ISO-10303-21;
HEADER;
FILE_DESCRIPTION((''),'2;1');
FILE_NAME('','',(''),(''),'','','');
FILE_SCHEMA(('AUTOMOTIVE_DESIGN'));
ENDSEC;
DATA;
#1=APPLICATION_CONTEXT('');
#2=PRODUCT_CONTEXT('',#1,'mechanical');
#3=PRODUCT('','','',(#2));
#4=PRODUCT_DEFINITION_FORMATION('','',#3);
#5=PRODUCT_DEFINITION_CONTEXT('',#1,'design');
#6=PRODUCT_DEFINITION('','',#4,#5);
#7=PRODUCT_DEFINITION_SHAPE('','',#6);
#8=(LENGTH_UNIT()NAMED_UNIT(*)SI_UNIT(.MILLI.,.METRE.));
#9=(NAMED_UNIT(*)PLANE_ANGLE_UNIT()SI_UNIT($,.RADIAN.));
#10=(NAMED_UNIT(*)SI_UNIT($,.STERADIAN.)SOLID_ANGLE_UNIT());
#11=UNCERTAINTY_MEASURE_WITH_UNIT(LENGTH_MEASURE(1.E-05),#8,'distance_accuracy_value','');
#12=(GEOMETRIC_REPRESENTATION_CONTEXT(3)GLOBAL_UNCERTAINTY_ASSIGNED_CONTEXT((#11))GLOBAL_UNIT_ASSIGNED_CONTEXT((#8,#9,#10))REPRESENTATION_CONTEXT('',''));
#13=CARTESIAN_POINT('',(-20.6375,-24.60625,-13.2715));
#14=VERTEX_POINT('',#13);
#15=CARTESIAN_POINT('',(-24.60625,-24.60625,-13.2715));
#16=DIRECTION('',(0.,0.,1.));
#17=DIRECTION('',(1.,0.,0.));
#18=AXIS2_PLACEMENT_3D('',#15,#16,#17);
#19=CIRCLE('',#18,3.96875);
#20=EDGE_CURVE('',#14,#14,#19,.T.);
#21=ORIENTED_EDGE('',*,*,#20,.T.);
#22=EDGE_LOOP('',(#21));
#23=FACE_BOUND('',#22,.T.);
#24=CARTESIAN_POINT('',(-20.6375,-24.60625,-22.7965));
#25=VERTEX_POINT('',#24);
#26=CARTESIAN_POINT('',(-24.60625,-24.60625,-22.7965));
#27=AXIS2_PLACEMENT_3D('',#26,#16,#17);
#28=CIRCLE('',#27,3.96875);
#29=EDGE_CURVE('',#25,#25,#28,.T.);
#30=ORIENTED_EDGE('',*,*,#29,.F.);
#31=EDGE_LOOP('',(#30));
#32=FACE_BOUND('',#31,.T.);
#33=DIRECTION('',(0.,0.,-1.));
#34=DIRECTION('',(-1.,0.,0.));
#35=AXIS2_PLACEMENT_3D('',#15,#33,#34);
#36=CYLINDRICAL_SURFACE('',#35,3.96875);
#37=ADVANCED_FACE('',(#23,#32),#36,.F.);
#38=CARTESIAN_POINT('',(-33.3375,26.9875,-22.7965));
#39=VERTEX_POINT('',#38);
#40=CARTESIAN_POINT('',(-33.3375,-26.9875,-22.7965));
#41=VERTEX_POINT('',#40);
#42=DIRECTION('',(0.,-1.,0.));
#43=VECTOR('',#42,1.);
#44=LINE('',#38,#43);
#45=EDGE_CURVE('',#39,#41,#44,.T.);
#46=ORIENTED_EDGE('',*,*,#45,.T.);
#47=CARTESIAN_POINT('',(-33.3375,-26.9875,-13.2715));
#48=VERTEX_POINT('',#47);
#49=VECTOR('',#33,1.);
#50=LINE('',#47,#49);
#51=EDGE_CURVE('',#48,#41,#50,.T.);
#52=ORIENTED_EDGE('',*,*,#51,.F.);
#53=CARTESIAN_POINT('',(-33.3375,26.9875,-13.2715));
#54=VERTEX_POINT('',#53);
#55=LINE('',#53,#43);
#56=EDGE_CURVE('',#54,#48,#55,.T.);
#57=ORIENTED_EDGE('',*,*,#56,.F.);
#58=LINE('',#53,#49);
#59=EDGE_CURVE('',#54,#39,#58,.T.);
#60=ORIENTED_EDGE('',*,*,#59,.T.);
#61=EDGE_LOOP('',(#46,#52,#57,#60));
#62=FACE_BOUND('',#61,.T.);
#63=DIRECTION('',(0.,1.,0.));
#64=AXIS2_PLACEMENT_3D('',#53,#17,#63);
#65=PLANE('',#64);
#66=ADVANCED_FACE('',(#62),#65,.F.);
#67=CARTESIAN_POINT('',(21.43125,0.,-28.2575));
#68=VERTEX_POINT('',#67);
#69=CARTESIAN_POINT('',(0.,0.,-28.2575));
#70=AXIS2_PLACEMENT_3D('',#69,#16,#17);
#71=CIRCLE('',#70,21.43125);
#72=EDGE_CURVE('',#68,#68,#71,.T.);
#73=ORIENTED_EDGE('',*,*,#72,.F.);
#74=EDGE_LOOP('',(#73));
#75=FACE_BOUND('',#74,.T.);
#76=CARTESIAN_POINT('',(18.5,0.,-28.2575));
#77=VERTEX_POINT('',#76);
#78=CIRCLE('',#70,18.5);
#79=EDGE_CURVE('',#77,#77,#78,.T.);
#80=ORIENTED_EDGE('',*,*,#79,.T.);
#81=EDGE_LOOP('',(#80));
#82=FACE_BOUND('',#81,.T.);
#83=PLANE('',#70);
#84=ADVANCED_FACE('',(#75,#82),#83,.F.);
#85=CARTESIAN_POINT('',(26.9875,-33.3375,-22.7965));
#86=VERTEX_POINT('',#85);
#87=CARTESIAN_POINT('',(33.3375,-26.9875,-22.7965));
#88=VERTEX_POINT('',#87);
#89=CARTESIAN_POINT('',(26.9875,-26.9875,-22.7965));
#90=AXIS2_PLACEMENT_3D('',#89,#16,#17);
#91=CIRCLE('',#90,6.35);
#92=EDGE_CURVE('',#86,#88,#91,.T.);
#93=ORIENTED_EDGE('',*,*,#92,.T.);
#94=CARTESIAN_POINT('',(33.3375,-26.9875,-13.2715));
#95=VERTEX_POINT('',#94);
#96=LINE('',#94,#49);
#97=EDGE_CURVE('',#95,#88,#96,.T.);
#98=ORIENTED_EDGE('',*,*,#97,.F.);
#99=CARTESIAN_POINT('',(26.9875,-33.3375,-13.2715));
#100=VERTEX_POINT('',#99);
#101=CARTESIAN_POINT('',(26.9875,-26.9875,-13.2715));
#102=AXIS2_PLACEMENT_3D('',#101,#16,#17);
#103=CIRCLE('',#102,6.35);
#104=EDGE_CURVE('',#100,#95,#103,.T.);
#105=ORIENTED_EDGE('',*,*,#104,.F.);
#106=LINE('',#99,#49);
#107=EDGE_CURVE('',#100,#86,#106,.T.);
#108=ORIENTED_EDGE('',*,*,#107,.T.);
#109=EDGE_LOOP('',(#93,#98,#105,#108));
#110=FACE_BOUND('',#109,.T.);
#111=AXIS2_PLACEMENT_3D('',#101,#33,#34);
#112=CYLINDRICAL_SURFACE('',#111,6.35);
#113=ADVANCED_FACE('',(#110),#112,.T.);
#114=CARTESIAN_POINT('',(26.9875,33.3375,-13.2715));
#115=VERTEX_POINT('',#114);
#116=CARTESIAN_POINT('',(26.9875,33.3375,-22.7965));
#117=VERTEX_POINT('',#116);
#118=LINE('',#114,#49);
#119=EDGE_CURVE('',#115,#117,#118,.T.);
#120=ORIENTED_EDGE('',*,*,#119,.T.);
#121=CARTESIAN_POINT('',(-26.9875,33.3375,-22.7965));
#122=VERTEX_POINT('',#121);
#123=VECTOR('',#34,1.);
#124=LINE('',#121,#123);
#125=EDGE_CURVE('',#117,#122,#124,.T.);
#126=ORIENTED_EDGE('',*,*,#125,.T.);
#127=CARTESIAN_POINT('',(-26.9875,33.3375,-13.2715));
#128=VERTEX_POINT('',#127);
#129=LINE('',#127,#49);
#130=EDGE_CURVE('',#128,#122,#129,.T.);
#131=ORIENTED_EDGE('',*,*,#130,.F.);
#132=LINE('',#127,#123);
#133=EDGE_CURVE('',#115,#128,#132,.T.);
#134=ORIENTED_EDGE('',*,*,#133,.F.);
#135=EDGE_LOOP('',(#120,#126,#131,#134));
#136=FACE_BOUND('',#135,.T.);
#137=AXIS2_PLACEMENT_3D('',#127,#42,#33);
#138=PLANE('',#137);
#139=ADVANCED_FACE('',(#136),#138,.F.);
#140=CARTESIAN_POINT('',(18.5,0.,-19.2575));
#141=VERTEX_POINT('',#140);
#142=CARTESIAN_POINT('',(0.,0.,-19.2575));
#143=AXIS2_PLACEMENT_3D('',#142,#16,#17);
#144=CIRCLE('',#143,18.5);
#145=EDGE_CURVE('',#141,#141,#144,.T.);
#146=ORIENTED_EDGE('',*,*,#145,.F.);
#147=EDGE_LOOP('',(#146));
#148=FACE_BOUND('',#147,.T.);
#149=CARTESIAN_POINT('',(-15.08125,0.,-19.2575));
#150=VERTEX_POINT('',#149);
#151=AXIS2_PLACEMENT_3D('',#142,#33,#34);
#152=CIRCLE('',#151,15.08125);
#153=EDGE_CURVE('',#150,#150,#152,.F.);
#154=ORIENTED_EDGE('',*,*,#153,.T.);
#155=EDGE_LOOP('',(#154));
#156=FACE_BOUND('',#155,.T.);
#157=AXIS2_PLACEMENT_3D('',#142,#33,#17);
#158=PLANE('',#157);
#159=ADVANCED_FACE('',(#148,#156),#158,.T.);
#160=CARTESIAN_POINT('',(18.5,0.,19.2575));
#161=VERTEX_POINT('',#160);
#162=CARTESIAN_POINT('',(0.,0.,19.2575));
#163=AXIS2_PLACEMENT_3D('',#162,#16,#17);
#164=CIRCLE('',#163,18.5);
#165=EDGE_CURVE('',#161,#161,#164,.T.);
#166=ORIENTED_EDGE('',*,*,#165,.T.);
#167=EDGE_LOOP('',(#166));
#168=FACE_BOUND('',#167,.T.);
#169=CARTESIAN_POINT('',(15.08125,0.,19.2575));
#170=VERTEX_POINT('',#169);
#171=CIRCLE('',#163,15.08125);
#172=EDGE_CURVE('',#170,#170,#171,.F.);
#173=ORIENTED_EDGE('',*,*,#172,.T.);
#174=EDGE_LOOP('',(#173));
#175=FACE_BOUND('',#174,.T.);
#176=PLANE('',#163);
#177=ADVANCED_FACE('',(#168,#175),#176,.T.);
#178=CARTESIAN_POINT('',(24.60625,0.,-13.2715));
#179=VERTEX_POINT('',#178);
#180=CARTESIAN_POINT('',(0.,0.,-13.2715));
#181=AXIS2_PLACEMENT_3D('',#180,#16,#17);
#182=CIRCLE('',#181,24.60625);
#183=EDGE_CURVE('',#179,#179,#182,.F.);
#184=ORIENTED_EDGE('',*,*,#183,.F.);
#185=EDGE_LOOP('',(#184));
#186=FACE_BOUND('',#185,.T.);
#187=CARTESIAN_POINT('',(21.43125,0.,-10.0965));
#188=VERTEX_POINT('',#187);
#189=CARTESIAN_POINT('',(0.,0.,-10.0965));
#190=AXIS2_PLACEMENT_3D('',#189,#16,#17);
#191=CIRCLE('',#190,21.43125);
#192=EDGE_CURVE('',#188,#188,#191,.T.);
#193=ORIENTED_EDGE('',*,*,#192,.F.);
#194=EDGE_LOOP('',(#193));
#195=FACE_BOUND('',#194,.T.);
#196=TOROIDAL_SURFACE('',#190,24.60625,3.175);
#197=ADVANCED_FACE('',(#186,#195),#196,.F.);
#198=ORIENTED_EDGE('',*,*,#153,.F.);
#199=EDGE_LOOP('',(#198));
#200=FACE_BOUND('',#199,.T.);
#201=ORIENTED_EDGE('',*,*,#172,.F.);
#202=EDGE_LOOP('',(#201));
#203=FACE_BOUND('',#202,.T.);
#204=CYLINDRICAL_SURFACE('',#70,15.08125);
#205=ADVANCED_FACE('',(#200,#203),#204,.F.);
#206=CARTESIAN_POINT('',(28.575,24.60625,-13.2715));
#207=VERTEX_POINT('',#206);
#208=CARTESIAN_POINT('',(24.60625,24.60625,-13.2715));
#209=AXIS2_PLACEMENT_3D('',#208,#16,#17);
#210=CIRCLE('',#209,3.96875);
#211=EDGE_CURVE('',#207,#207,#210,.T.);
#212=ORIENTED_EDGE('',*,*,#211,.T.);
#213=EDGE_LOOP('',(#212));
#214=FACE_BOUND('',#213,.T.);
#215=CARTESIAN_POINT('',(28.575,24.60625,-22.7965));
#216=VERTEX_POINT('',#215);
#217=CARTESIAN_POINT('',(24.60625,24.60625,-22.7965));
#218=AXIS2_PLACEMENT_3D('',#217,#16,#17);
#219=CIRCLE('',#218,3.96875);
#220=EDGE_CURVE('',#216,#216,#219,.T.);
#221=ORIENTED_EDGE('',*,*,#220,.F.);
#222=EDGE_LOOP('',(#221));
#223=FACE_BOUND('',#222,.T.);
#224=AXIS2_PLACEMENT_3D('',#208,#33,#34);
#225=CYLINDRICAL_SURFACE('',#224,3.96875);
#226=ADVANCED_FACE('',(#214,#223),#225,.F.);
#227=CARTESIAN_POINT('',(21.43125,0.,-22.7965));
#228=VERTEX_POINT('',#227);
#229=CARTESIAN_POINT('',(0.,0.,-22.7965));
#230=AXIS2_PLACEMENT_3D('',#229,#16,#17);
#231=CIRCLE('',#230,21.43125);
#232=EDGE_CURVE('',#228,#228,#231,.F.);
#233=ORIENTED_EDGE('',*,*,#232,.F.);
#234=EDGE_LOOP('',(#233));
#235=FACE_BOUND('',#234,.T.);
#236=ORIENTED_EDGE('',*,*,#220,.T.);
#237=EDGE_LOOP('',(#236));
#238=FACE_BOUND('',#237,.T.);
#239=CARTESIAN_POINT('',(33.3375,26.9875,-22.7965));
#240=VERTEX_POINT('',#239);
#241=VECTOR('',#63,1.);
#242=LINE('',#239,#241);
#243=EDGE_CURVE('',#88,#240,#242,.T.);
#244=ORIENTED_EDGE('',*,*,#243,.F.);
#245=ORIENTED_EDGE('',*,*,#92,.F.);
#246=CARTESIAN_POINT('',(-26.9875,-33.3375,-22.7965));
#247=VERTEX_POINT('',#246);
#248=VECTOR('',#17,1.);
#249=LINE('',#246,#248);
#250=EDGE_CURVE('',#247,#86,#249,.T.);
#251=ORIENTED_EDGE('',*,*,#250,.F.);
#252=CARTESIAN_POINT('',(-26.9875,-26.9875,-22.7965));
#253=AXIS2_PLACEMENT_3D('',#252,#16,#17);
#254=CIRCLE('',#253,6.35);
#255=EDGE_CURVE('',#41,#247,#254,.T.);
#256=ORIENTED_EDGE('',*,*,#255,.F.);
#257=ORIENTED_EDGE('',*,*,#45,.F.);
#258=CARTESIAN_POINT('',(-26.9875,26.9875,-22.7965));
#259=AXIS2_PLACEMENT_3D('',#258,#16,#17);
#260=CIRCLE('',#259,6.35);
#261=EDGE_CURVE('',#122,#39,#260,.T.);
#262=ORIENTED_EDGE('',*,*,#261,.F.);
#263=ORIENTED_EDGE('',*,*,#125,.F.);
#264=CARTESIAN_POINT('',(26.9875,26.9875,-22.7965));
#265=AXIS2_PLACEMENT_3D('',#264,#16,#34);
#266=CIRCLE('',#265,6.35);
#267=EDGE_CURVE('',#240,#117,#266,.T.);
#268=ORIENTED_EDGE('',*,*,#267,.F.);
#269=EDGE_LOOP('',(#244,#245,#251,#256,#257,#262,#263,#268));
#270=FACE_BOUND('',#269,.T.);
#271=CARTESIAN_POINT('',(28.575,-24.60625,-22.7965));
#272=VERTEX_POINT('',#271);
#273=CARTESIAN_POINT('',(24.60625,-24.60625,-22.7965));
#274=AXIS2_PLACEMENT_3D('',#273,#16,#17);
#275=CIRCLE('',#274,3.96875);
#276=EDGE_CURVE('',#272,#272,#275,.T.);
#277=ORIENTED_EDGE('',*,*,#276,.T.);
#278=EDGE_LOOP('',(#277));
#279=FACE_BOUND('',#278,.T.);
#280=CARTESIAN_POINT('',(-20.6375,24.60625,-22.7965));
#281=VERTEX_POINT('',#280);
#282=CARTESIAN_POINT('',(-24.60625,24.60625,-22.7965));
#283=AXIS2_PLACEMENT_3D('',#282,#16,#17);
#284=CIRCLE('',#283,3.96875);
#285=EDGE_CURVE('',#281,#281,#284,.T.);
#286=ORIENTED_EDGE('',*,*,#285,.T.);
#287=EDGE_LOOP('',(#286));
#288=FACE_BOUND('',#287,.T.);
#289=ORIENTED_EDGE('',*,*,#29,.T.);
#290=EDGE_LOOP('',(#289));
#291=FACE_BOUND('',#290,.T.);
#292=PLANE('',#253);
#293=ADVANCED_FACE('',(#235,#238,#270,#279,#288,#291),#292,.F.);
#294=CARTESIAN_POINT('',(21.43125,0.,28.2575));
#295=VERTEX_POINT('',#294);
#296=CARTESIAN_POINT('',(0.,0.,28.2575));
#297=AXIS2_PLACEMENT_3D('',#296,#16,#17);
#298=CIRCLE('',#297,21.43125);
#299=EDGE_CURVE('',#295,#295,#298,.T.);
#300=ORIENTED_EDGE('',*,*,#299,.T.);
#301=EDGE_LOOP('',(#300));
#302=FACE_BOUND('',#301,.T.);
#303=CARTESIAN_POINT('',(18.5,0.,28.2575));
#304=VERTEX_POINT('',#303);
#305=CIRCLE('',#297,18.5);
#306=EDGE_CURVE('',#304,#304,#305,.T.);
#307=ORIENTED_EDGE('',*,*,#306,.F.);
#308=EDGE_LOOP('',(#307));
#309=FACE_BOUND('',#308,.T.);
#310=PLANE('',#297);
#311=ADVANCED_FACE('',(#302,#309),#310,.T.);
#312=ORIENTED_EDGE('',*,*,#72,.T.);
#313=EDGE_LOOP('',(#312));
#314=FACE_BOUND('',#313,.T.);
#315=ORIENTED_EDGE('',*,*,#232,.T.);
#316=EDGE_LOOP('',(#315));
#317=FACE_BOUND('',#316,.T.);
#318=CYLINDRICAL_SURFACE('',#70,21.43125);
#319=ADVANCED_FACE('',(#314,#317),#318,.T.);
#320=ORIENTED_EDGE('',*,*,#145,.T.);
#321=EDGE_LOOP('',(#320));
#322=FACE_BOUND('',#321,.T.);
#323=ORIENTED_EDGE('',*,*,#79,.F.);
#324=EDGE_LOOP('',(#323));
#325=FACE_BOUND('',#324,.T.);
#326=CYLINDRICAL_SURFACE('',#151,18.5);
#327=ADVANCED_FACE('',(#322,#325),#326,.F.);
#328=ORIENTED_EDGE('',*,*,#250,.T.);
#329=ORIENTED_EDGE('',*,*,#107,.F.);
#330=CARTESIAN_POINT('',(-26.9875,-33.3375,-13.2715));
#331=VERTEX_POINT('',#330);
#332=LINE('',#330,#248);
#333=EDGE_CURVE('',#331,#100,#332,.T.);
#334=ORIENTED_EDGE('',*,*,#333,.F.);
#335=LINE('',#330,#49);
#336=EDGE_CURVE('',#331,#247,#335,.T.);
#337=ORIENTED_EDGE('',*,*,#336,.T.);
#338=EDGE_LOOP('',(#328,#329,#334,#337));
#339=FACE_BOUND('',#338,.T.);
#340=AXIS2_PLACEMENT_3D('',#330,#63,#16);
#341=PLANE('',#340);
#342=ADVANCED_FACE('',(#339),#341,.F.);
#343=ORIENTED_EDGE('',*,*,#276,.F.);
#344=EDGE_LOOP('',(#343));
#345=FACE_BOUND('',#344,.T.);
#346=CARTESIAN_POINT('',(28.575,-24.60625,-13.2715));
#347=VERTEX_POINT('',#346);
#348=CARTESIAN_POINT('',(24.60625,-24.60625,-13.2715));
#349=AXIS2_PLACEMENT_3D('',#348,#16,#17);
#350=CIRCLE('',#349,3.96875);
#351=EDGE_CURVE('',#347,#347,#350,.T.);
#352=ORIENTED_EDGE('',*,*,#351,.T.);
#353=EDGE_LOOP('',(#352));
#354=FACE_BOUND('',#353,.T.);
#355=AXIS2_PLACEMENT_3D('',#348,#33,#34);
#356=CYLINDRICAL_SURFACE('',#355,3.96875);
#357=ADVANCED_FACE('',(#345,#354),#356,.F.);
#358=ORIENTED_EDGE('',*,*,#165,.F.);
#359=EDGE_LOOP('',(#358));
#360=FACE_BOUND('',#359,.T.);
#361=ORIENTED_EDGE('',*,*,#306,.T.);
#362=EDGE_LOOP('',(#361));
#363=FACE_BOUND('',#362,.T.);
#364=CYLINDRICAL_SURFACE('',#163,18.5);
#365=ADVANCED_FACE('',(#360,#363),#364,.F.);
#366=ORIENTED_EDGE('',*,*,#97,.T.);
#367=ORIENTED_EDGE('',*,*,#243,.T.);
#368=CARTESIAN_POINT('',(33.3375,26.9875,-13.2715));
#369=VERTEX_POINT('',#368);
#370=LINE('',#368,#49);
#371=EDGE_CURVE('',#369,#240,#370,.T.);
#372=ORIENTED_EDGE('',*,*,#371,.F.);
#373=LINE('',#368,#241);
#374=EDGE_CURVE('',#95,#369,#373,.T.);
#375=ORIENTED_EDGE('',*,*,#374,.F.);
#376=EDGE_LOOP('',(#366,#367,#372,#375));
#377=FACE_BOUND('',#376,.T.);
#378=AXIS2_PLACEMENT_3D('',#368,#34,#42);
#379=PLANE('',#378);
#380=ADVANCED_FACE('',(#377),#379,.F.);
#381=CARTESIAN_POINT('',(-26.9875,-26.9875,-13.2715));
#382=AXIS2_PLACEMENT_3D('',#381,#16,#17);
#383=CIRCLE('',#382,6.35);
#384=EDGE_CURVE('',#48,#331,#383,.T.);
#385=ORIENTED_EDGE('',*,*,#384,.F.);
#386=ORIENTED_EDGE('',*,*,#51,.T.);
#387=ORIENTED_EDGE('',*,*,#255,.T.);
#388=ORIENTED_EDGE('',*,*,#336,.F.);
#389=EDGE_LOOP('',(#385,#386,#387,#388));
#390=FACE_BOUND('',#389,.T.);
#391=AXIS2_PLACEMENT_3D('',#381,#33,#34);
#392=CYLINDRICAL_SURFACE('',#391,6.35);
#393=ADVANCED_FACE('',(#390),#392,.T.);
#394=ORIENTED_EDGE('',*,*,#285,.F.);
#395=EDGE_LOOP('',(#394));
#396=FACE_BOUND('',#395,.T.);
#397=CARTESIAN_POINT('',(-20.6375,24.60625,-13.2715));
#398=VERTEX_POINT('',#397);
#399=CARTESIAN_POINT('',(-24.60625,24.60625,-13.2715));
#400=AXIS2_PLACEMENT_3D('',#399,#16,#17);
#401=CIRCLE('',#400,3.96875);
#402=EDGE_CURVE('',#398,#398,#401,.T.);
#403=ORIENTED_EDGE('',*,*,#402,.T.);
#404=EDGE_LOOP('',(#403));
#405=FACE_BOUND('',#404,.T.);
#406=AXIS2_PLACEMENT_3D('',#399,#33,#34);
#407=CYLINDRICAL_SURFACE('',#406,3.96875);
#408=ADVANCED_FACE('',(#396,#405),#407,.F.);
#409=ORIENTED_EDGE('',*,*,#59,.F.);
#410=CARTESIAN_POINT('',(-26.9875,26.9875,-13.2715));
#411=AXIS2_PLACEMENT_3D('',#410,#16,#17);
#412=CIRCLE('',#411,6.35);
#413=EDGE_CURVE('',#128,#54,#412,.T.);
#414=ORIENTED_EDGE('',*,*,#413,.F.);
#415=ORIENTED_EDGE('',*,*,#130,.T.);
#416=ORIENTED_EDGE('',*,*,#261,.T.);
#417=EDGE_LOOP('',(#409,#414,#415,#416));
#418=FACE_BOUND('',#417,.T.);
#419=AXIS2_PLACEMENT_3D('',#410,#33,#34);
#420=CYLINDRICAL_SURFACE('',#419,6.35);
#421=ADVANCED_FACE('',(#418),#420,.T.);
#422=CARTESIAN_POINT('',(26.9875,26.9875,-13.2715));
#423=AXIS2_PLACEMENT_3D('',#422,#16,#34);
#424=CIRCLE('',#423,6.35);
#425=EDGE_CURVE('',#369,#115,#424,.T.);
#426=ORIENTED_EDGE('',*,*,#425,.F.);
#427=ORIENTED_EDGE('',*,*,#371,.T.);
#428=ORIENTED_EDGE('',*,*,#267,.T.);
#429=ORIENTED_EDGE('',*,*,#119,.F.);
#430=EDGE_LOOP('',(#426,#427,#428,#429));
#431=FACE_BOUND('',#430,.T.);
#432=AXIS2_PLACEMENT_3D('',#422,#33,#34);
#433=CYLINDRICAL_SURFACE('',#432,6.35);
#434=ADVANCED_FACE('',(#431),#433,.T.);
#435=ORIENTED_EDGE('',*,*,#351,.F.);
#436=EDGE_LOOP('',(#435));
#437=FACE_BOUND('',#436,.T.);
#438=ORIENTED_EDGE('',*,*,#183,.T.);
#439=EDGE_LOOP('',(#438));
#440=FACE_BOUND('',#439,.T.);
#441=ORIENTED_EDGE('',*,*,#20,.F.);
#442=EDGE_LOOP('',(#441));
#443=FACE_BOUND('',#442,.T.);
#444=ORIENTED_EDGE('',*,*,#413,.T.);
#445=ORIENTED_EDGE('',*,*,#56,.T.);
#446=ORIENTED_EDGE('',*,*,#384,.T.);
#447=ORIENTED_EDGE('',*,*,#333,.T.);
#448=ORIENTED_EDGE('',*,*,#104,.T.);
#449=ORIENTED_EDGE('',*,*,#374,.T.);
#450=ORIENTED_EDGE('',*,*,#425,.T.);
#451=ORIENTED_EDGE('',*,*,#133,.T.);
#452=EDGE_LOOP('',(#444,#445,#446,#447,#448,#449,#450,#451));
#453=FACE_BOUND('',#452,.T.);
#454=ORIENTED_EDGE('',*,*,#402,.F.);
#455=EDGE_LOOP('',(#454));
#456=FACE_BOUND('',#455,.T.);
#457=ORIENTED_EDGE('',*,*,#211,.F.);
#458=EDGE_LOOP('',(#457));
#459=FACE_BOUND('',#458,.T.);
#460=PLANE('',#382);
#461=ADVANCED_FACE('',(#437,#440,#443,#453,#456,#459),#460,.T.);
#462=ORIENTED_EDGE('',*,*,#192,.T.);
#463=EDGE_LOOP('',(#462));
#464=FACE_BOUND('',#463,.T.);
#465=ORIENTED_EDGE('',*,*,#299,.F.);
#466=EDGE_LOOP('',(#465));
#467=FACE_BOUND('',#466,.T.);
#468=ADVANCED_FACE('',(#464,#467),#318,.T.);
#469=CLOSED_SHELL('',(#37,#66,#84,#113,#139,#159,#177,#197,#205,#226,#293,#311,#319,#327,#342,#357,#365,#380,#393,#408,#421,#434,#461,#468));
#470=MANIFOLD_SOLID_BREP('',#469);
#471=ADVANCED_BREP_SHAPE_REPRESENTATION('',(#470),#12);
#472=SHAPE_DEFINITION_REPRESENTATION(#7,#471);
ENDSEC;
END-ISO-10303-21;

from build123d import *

# Parameters (mm, degrees)
SKETCH1_R                = 21.43125
SKETCH1_R_2              = 15.08125
BOSS_EXTRUDE1_DEPTH      = 28.2575
BOSS_EXTRUDE1_DEPTH_BACK = 28.2575
SKETCH2_R                = 3.96875
SKETCH2_R_2              = 20.6375
BOSS_EXTRUDE2_DEPTH      = 9.525
SKETCH3_R                = 18.5
CUT_EXTRUDE1_DEPTH       = 9
FILLET1_R                = 3.175


with BuildPart() as part:
    # Sketch1 → Boss-Extrude1 (new body, two sides)
    with BuildSketch(Plane.XY) as boss_extrude1_sk:
        Circle(SKETCH1_R)
        Circle(SKETCH1_R_2, mode=Mode.SUBTRACT)
    extrude(amount=BOSS_EXTRUDE1_DEPTH)
    extrude(boss_extrude1_sk.sketch, amount=-BOSS_EXTRUDE1_DEPTH_BACK)

    # Sketch2 → Boss-Extrude2 (add)
    with BuildSketch(Plane.XY.offset(-22.7965)):
        with BuildLine():
            Line((-26.9875, 33.3375), (26.9875, 33.3375))
            ThreePointArc((26.9875, 33.3375), (31.477628061, 31.477628061), (33.3375, 26.9875))
            Line((33.3375, 26.9875), (33.3375, -26.9875))
            ThreePointArc((33.3375, -26.9875), (31.477628061, -31.477628061), (26.9875, -33.3375))
            Line((26.9875, -33.3375), (-26.9875, -33.3375))
            ThreePointArc((-26.9875, -33.3375), (-31.477628061, -31.477628061), (-33.3375, -26.9875))
            Line((-33.3375, -26.9875), (-33.3375, 26.9875))
            ThreePointArc((-33.3375, 26.9875), (-31.477628061, 31.477628061), (-26.9875, 33.3375))
        make_face()
        with Locations((-24.60625, 24.60625)):
            Circle(SKETCH2_R, mode=Mode.SUBTRACT)
        with Locations((24.60625, 24.60625)):
            Circle(SKETCH2_R, mode=Mode.SUBTRACT)
        with Locations((24.60625, -24.60625)):
            Circle(SKETCH2_R, mode=Mode.SUBTRACT)
        with Locations((-24.60625, -24.60625)):
            Circle(SKETCH2_R, mode=Mode.SUBTRACT)
        Circle(SKETCH2_R_2, mode=Mode.SUBTRACT)
    extrude(amount=BOSS_EXTRUDE2_DEPTH)

    # Sketch3 → Cut-Extrude1 (cut)
    with BuildSketch(Plane.XY.offset(28.2575)):
        Circle(SKETCH3_R)
    cut_extrude1 = extrude(amount=-CUT_EXTRUDE1_DEPTH, mode=Mode.SUBTRACT)

    # Mirror1: Cut-Extrude1 across plane
    add(cut_extrude1.mirror(Plane.XY), mode=Mode.SUBTRACT)

    # Fillet1
    fillet1_edges = [part.edges().sort_by_distance(p)[0] for p in [
        (-21.43125, 0, -13.2715),
    ]]
    fillet(fillet1_edges, radius=FILLET1_R)


solid = part.part
